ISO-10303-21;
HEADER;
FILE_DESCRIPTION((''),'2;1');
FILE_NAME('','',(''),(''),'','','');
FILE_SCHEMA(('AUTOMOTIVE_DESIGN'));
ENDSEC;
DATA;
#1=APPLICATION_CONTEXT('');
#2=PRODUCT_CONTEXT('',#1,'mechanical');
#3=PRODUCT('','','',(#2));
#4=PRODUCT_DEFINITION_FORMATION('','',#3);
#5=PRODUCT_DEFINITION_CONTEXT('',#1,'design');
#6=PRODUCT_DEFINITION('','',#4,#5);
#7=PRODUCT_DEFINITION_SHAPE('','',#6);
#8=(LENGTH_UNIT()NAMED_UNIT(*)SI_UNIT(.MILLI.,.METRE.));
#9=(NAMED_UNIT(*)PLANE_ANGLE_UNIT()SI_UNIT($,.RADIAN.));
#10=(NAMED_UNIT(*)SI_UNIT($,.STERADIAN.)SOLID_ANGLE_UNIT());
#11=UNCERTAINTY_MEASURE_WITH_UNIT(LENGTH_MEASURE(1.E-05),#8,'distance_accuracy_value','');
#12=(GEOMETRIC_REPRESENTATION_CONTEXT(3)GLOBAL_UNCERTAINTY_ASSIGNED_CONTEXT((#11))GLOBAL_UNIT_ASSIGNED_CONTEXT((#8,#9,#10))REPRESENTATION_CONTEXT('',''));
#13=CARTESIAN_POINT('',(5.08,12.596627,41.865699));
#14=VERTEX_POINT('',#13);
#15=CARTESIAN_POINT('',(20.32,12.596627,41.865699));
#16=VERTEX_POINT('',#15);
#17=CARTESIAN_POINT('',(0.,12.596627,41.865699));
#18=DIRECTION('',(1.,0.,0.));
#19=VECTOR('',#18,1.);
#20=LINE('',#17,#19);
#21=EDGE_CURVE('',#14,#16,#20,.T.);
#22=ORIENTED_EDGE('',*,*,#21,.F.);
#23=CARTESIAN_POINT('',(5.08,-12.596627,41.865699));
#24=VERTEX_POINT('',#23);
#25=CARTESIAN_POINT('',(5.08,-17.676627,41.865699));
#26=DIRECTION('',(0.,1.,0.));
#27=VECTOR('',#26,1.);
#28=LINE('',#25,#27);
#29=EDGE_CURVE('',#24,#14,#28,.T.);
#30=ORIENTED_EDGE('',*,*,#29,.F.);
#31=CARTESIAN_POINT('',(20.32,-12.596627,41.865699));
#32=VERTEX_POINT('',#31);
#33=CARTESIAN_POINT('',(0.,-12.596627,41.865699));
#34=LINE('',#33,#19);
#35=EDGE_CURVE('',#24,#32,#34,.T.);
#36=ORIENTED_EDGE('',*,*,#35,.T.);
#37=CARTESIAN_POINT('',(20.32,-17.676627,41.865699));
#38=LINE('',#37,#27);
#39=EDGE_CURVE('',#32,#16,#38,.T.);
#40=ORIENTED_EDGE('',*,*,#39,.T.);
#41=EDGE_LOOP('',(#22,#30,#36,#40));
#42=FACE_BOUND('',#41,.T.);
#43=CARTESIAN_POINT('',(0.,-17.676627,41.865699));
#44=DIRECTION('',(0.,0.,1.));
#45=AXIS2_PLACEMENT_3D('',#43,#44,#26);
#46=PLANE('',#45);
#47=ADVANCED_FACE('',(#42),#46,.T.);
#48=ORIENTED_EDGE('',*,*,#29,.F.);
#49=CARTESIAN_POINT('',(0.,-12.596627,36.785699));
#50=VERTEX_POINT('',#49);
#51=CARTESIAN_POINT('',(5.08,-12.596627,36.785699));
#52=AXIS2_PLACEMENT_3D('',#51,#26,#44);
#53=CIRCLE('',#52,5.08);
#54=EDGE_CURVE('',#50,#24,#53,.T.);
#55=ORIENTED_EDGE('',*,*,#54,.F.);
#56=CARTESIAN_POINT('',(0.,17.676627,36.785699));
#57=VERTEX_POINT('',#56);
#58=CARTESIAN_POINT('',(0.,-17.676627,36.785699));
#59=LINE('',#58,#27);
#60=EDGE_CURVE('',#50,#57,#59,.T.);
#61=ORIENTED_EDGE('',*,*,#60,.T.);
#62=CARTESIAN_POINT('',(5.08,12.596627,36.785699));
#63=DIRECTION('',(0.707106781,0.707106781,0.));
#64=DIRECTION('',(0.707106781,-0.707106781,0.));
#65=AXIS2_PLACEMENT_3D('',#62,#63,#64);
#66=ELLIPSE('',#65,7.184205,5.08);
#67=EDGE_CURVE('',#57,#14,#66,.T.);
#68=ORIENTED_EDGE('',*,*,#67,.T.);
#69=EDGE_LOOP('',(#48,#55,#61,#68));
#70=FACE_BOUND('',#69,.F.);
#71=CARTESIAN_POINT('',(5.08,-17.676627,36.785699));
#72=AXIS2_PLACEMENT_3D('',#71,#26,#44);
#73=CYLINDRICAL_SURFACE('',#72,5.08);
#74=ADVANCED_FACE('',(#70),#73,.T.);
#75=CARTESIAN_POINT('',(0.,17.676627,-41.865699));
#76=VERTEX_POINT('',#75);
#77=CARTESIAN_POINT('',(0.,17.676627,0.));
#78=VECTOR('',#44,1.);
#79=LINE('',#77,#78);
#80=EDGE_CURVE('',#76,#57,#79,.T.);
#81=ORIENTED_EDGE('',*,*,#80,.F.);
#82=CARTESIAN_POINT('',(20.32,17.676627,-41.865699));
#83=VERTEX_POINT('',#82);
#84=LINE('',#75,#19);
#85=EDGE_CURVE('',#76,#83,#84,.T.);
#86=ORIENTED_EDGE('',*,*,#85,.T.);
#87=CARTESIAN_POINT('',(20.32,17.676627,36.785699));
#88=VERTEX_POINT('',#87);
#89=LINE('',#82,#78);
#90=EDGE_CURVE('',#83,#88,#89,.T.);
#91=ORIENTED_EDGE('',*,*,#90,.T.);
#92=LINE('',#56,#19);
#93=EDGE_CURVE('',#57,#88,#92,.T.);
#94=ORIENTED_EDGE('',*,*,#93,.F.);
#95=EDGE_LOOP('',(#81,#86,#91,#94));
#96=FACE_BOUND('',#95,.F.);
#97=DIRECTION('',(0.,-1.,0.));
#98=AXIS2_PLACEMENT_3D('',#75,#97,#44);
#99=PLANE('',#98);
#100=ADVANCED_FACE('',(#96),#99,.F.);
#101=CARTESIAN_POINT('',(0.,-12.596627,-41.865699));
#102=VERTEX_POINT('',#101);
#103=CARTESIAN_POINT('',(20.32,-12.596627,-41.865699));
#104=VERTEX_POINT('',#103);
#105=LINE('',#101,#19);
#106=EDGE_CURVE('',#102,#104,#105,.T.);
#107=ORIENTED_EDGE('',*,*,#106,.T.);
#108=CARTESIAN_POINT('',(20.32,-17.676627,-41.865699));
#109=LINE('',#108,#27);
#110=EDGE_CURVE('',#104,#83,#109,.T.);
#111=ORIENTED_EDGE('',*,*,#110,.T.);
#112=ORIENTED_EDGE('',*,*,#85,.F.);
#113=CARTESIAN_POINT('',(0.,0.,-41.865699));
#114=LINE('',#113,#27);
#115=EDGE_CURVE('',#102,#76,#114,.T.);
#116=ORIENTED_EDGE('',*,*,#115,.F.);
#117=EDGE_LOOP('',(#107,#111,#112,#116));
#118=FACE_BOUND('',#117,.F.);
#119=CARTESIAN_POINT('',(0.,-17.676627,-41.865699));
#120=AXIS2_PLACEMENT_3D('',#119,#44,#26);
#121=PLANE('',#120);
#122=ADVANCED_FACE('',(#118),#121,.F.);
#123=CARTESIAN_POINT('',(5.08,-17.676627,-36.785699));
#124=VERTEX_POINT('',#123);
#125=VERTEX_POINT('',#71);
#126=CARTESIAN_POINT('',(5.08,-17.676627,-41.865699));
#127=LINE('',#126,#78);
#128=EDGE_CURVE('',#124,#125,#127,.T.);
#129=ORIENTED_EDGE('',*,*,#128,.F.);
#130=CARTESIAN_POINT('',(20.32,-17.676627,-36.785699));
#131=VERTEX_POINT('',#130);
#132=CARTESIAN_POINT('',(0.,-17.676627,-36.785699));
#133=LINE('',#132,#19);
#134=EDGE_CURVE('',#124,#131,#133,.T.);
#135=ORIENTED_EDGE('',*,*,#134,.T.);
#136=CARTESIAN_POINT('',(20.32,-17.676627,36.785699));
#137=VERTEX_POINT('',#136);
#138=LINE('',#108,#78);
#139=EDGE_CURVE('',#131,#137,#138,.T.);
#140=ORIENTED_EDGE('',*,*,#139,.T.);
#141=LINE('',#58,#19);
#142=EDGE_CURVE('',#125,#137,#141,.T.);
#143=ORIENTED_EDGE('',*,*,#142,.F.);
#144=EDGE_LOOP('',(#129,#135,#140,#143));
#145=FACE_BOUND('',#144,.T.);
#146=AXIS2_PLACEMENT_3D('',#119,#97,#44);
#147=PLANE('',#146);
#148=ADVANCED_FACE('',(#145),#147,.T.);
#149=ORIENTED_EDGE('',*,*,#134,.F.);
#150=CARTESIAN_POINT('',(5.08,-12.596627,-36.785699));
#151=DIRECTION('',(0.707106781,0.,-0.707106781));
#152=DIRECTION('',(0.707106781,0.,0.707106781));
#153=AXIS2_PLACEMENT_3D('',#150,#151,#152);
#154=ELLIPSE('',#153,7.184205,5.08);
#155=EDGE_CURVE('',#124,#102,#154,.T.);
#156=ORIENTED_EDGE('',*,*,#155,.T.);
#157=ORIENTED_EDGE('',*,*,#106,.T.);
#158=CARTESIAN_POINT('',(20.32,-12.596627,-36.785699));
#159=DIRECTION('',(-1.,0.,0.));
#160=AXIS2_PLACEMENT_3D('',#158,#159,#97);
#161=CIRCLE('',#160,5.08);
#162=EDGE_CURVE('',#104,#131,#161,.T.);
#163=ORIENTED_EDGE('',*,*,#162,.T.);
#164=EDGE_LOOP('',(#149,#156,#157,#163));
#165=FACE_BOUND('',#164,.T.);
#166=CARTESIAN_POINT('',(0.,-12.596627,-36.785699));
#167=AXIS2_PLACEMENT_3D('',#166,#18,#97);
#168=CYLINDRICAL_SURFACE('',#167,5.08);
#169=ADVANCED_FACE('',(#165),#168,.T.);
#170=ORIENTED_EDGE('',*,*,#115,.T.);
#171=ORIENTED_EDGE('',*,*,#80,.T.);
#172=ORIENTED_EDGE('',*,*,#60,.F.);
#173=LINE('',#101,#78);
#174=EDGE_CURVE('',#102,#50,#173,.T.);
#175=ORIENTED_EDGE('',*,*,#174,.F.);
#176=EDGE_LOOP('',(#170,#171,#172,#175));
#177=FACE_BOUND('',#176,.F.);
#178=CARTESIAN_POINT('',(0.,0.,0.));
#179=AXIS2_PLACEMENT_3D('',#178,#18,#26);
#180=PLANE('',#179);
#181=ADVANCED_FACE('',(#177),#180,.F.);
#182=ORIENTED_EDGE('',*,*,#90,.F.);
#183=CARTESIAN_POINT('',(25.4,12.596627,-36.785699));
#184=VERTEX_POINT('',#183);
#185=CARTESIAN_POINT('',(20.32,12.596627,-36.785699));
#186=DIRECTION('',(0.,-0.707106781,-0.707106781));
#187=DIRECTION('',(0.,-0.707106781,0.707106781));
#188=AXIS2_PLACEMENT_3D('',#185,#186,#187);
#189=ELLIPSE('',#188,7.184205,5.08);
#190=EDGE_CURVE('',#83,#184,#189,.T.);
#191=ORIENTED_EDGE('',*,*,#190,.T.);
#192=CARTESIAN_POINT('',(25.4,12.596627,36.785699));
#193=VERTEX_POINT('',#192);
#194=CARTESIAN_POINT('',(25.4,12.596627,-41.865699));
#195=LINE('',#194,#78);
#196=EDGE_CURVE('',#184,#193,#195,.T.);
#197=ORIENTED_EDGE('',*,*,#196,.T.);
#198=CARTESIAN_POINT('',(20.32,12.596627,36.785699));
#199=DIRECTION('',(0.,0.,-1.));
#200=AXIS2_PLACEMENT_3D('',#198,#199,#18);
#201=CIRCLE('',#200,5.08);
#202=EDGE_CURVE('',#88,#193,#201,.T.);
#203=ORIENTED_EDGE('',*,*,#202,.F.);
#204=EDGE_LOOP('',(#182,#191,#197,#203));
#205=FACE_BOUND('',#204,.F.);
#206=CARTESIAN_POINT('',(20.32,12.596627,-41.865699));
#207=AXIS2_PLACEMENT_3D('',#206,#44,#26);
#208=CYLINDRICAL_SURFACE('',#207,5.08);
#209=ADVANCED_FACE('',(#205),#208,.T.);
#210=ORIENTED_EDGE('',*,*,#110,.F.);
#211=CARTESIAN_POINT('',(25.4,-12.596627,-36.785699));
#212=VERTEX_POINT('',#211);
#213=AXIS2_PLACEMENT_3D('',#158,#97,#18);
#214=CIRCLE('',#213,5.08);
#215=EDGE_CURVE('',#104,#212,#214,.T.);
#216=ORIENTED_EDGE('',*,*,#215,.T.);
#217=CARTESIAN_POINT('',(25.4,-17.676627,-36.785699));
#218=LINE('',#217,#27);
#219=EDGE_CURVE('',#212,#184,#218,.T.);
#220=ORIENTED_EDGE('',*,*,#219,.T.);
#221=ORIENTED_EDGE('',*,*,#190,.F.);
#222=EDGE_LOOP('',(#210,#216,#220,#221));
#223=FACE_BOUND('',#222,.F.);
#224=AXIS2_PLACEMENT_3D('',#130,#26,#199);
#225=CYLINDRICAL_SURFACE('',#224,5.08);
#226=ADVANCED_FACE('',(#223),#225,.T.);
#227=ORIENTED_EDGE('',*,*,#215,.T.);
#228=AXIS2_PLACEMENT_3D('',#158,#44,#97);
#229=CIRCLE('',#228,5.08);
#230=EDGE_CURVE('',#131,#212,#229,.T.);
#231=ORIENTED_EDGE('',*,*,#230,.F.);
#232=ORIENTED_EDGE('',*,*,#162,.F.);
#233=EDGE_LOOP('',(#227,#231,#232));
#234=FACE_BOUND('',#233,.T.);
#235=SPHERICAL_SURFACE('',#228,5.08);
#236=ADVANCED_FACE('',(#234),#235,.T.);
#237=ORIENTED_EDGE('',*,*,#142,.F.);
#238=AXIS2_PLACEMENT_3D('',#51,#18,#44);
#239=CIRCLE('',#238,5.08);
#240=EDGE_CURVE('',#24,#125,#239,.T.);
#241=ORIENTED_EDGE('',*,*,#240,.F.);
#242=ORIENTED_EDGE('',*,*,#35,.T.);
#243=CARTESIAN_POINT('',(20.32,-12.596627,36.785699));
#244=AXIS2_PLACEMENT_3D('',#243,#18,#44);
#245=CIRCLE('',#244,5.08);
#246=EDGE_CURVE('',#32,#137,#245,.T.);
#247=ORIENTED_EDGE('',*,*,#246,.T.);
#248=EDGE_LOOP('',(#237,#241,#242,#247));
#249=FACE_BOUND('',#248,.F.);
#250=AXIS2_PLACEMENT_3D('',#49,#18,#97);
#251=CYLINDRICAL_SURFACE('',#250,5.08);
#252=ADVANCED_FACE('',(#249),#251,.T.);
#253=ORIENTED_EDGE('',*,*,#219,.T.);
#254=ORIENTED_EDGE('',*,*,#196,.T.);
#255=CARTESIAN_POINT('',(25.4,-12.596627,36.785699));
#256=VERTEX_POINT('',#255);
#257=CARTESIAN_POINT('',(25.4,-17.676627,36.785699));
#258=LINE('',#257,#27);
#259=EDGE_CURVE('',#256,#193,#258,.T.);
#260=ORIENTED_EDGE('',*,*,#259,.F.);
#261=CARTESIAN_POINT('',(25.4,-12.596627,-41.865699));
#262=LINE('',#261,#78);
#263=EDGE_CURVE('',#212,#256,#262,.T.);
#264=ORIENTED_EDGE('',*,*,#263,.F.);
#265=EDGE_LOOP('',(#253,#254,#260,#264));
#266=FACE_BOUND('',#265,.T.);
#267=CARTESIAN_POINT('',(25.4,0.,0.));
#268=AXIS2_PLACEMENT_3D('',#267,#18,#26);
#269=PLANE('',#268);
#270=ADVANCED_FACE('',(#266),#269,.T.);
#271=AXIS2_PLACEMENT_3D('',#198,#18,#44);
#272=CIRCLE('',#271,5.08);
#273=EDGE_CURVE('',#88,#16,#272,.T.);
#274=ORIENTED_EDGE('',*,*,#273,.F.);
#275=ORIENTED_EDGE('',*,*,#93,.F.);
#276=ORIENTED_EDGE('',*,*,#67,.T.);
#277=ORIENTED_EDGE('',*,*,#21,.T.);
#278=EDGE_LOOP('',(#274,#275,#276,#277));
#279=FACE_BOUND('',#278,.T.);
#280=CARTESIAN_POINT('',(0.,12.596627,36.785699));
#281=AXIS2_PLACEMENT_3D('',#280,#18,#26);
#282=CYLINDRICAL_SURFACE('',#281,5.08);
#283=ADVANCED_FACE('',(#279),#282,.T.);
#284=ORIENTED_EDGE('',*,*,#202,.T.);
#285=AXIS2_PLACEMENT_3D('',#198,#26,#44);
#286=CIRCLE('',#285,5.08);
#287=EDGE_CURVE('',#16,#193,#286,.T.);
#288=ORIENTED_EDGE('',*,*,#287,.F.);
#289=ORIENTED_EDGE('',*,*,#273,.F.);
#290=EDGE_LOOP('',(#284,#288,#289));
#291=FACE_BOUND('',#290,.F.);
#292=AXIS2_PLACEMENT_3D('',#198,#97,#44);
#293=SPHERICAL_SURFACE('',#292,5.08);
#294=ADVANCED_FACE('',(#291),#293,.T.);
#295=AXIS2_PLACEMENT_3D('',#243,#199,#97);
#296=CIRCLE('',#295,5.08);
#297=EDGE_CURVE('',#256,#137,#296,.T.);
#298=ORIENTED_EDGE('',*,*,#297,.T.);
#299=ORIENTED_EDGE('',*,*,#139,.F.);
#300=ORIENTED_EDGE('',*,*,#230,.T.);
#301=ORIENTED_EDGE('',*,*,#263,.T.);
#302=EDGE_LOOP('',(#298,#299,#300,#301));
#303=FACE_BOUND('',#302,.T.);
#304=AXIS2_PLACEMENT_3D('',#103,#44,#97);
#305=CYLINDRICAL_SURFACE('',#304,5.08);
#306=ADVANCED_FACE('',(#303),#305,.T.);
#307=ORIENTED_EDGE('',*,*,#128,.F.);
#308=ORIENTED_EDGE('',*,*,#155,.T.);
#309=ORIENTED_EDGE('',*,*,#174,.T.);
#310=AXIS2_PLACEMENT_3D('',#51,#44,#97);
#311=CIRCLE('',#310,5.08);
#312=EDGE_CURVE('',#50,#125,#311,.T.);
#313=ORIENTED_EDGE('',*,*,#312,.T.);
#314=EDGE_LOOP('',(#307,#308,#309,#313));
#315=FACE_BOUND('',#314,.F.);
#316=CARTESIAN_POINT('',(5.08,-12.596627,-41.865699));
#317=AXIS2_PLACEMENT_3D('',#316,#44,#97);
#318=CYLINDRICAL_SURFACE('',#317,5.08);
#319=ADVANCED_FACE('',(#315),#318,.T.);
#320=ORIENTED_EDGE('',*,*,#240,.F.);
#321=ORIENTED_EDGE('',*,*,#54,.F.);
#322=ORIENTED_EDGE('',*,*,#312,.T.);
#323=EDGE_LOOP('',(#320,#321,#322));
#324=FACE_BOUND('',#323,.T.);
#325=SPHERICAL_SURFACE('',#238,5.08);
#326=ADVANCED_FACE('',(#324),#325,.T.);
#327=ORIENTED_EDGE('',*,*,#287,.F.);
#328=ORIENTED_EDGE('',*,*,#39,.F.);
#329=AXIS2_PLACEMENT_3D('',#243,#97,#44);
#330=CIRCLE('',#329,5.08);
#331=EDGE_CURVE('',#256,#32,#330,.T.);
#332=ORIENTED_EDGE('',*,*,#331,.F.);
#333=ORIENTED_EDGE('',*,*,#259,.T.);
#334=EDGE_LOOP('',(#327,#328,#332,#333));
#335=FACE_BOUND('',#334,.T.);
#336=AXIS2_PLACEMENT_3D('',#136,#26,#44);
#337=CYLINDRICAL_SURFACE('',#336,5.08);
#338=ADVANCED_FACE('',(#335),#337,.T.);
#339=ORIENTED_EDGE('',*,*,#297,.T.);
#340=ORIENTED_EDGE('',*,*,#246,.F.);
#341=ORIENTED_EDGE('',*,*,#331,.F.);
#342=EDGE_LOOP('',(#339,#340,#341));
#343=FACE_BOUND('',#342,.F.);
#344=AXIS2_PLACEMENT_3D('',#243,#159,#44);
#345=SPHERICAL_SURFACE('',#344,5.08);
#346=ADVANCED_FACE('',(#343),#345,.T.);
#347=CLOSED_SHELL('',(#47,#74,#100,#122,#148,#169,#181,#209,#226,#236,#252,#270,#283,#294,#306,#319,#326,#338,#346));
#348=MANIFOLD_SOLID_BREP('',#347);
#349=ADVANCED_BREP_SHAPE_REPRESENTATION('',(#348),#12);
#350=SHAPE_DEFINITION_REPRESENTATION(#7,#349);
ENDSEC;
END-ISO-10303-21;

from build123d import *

# Parameters (mm, degrees)
F0_W     = 35.353254
F0_H     = 83.731398
F1_DEPTH = 25.4
F2_R     = 5.08


with BuildPart() as f1:
    # F0 (on Right) → F1 (new body)
    with BuildSketch(Plane.YZ):
        Rectangle(F0_W, F0_H)
    extrude(amount=F1_DEPTH)

    # F2
    f2_edges = [f1.edges().sort_by_distance(p)[0] for p in [
        (12.7, -17.676627, 41.865699),
        (25.4, 0, 41.865699),
        (12.7, 17.676627, 41.865699),
        (0, 0, 41.865699),
        (25.4, -17.676627, 0),
        (25.4, 17.676627, 0),
        (0, -17.676627, 0),
        (12.7, -17.676627, -41.865699),
        (25.4, 0, -41.865699),
    ]]
    fillet(f2_edges, radius=F2_R)


solid = f1.part
